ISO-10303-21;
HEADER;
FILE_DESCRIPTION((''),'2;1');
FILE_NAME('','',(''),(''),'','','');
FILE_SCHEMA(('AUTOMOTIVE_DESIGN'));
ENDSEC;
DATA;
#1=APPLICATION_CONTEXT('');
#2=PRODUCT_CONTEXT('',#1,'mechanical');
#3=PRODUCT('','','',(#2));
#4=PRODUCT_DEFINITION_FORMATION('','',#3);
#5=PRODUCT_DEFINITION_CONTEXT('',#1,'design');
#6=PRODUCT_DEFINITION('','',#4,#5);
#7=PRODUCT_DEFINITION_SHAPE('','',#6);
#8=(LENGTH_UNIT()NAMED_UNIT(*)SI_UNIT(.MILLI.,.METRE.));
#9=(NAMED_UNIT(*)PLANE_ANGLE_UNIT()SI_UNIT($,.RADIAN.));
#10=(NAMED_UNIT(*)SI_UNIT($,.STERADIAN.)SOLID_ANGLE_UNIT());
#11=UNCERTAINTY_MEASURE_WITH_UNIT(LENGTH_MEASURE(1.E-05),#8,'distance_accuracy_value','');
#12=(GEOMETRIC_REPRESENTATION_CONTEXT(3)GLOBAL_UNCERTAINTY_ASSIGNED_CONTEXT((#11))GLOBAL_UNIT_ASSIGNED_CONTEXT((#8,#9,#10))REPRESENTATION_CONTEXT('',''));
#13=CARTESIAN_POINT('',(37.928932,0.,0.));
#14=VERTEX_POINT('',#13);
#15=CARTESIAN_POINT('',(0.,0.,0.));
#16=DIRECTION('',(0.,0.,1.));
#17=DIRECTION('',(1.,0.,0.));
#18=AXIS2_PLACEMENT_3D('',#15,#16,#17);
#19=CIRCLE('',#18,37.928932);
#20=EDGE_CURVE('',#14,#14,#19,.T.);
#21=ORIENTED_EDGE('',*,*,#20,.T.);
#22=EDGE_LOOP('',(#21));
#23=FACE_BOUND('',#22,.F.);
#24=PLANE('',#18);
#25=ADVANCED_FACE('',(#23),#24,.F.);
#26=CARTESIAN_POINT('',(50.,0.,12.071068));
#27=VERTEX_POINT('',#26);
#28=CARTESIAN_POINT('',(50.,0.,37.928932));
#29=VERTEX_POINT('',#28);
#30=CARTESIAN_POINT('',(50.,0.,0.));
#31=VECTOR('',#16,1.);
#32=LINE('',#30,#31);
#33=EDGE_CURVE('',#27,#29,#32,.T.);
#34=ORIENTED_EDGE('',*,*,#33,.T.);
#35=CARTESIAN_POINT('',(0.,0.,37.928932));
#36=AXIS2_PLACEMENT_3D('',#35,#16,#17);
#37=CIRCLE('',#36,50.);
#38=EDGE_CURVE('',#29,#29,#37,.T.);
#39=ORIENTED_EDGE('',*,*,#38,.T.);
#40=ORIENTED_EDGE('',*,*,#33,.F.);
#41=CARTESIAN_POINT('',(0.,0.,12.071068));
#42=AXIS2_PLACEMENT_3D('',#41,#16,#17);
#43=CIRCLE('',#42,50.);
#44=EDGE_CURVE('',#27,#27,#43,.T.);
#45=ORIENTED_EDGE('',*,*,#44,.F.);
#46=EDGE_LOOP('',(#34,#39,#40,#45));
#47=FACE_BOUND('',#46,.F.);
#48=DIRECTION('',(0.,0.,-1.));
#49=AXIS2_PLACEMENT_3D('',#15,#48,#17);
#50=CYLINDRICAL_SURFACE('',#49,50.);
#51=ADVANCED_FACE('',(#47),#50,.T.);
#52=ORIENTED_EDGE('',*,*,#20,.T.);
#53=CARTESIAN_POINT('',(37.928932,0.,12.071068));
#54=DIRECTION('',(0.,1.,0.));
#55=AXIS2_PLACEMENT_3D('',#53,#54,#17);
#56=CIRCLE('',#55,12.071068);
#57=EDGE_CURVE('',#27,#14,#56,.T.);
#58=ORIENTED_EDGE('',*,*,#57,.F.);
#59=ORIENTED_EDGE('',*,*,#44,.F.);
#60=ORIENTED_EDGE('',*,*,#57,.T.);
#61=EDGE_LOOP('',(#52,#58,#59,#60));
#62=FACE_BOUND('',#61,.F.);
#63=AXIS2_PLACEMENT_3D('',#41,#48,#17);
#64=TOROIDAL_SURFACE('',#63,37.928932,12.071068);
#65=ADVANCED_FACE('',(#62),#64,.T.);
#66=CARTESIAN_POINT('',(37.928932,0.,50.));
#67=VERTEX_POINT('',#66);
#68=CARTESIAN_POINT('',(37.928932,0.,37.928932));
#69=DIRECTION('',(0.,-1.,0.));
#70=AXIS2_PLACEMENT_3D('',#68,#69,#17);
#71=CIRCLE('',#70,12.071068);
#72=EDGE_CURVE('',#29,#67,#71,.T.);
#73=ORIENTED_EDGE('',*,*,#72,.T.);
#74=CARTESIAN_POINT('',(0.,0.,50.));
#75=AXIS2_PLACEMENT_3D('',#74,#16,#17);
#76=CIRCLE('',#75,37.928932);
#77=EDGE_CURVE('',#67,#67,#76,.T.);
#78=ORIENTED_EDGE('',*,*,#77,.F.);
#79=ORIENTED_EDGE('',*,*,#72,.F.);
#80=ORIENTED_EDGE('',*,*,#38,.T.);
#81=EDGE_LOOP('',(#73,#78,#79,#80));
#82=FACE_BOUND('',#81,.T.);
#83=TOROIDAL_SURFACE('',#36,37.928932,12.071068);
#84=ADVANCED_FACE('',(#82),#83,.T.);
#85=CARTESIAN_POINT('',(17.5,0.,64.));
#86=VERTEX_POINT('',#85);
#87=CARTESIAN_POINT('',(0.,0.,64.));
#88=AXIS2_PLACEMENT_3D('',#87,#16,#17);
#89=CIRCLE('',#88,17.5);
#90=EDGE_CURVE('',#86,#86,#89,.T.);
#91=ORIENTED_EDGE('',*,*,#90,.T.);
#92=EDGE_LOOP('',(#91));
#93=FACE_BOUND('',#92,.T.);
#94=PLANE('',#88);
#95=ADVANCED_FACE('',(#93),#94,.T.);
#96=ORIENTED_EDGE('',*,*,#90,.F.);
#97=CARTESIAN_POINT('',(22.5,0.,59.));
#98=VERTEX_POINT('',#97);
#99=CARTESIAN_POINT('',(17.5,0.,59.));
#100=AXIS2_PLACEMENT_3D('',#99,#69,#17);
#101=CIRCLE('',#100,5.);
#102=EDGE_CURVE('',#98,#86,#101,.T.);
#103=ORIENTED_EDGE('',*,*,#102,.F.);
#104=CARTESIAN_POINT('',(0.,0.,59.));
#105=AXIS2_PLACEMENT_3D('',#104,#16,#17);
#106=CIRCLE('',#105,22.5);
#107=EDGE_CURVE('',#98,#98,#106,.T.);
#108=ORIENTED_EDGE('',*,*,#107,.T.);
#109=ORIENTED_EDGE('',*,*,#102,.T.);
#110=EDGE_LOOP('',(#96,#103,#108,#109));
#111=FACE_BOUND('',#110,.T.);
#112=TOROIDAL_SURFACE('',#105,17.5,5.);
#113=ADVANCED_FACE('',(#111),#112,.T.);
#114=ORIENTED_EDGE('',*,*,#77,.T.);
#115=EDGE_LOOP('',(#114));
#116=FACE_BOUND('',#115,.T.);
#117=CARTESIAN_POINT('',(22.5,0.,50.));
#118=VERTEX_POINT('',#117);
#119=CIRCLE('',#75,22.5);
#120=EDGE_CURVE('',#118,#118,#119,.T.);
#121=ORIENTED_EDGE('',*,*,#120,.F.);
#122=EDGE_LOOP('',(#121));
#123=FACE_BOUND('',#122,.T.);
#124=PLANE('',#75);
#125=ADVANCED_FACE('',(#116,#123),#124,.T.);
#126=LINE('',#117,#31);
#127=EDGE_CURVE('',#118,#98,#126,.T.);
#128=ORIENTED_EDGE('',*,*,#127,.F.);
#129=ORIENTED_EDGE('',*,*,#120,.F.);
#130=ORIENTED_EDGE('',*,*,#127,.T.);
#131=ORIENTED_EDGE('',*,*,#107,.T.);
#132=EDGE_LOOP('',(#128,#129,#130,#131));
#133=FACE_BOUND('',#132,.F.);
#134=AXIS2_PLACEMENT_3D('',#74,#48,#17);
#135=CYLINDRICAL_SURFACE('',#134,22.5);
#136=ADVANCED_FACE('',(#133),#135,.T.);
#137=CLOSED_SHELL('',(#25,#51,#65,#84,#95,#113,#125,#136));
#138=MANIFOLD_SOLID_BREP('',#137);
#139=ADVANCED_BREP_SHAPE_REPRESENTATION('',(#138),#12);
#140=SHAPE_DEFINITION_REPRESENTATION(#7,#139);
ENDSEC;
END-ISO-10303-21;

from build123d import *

# Parameters (mm, degrees)
F0_R     = 50
F1_DEPTH = 50
F2_R     = 12.071068
F3_R     = 22.5
F4_DEPTH = 14
F5_R     = 5


with BuildPart() as f1:
    # F0 (on Top) → F1 (new body)
    with BuildSketch(Plane.XY):
        Circle(F0_R)
    extrude(amount=F1_DEPTH)

    # F2
    f2_edges = [f1.edges().sort_by_distance(p)[0] for p in [
        (-50, 0, 50),
        (-50, 0, 0),
    ]]
    fillet(f2_edges, radius=F2_R)

    # F3 (on face) → F4 (join)
    with BuildSketch(Plane.XY.offset(50)):
        Circle(F3_R)
    extrude(amount=F4_DEPTH)

    # F5
    f5_edges = [f1.edges().sort_by_distance(p)[0] for p in [
        (-22.5, 0, 64),
    ]]
    fillet(f5_edges, radius=F5_R)


solid = f1.part
